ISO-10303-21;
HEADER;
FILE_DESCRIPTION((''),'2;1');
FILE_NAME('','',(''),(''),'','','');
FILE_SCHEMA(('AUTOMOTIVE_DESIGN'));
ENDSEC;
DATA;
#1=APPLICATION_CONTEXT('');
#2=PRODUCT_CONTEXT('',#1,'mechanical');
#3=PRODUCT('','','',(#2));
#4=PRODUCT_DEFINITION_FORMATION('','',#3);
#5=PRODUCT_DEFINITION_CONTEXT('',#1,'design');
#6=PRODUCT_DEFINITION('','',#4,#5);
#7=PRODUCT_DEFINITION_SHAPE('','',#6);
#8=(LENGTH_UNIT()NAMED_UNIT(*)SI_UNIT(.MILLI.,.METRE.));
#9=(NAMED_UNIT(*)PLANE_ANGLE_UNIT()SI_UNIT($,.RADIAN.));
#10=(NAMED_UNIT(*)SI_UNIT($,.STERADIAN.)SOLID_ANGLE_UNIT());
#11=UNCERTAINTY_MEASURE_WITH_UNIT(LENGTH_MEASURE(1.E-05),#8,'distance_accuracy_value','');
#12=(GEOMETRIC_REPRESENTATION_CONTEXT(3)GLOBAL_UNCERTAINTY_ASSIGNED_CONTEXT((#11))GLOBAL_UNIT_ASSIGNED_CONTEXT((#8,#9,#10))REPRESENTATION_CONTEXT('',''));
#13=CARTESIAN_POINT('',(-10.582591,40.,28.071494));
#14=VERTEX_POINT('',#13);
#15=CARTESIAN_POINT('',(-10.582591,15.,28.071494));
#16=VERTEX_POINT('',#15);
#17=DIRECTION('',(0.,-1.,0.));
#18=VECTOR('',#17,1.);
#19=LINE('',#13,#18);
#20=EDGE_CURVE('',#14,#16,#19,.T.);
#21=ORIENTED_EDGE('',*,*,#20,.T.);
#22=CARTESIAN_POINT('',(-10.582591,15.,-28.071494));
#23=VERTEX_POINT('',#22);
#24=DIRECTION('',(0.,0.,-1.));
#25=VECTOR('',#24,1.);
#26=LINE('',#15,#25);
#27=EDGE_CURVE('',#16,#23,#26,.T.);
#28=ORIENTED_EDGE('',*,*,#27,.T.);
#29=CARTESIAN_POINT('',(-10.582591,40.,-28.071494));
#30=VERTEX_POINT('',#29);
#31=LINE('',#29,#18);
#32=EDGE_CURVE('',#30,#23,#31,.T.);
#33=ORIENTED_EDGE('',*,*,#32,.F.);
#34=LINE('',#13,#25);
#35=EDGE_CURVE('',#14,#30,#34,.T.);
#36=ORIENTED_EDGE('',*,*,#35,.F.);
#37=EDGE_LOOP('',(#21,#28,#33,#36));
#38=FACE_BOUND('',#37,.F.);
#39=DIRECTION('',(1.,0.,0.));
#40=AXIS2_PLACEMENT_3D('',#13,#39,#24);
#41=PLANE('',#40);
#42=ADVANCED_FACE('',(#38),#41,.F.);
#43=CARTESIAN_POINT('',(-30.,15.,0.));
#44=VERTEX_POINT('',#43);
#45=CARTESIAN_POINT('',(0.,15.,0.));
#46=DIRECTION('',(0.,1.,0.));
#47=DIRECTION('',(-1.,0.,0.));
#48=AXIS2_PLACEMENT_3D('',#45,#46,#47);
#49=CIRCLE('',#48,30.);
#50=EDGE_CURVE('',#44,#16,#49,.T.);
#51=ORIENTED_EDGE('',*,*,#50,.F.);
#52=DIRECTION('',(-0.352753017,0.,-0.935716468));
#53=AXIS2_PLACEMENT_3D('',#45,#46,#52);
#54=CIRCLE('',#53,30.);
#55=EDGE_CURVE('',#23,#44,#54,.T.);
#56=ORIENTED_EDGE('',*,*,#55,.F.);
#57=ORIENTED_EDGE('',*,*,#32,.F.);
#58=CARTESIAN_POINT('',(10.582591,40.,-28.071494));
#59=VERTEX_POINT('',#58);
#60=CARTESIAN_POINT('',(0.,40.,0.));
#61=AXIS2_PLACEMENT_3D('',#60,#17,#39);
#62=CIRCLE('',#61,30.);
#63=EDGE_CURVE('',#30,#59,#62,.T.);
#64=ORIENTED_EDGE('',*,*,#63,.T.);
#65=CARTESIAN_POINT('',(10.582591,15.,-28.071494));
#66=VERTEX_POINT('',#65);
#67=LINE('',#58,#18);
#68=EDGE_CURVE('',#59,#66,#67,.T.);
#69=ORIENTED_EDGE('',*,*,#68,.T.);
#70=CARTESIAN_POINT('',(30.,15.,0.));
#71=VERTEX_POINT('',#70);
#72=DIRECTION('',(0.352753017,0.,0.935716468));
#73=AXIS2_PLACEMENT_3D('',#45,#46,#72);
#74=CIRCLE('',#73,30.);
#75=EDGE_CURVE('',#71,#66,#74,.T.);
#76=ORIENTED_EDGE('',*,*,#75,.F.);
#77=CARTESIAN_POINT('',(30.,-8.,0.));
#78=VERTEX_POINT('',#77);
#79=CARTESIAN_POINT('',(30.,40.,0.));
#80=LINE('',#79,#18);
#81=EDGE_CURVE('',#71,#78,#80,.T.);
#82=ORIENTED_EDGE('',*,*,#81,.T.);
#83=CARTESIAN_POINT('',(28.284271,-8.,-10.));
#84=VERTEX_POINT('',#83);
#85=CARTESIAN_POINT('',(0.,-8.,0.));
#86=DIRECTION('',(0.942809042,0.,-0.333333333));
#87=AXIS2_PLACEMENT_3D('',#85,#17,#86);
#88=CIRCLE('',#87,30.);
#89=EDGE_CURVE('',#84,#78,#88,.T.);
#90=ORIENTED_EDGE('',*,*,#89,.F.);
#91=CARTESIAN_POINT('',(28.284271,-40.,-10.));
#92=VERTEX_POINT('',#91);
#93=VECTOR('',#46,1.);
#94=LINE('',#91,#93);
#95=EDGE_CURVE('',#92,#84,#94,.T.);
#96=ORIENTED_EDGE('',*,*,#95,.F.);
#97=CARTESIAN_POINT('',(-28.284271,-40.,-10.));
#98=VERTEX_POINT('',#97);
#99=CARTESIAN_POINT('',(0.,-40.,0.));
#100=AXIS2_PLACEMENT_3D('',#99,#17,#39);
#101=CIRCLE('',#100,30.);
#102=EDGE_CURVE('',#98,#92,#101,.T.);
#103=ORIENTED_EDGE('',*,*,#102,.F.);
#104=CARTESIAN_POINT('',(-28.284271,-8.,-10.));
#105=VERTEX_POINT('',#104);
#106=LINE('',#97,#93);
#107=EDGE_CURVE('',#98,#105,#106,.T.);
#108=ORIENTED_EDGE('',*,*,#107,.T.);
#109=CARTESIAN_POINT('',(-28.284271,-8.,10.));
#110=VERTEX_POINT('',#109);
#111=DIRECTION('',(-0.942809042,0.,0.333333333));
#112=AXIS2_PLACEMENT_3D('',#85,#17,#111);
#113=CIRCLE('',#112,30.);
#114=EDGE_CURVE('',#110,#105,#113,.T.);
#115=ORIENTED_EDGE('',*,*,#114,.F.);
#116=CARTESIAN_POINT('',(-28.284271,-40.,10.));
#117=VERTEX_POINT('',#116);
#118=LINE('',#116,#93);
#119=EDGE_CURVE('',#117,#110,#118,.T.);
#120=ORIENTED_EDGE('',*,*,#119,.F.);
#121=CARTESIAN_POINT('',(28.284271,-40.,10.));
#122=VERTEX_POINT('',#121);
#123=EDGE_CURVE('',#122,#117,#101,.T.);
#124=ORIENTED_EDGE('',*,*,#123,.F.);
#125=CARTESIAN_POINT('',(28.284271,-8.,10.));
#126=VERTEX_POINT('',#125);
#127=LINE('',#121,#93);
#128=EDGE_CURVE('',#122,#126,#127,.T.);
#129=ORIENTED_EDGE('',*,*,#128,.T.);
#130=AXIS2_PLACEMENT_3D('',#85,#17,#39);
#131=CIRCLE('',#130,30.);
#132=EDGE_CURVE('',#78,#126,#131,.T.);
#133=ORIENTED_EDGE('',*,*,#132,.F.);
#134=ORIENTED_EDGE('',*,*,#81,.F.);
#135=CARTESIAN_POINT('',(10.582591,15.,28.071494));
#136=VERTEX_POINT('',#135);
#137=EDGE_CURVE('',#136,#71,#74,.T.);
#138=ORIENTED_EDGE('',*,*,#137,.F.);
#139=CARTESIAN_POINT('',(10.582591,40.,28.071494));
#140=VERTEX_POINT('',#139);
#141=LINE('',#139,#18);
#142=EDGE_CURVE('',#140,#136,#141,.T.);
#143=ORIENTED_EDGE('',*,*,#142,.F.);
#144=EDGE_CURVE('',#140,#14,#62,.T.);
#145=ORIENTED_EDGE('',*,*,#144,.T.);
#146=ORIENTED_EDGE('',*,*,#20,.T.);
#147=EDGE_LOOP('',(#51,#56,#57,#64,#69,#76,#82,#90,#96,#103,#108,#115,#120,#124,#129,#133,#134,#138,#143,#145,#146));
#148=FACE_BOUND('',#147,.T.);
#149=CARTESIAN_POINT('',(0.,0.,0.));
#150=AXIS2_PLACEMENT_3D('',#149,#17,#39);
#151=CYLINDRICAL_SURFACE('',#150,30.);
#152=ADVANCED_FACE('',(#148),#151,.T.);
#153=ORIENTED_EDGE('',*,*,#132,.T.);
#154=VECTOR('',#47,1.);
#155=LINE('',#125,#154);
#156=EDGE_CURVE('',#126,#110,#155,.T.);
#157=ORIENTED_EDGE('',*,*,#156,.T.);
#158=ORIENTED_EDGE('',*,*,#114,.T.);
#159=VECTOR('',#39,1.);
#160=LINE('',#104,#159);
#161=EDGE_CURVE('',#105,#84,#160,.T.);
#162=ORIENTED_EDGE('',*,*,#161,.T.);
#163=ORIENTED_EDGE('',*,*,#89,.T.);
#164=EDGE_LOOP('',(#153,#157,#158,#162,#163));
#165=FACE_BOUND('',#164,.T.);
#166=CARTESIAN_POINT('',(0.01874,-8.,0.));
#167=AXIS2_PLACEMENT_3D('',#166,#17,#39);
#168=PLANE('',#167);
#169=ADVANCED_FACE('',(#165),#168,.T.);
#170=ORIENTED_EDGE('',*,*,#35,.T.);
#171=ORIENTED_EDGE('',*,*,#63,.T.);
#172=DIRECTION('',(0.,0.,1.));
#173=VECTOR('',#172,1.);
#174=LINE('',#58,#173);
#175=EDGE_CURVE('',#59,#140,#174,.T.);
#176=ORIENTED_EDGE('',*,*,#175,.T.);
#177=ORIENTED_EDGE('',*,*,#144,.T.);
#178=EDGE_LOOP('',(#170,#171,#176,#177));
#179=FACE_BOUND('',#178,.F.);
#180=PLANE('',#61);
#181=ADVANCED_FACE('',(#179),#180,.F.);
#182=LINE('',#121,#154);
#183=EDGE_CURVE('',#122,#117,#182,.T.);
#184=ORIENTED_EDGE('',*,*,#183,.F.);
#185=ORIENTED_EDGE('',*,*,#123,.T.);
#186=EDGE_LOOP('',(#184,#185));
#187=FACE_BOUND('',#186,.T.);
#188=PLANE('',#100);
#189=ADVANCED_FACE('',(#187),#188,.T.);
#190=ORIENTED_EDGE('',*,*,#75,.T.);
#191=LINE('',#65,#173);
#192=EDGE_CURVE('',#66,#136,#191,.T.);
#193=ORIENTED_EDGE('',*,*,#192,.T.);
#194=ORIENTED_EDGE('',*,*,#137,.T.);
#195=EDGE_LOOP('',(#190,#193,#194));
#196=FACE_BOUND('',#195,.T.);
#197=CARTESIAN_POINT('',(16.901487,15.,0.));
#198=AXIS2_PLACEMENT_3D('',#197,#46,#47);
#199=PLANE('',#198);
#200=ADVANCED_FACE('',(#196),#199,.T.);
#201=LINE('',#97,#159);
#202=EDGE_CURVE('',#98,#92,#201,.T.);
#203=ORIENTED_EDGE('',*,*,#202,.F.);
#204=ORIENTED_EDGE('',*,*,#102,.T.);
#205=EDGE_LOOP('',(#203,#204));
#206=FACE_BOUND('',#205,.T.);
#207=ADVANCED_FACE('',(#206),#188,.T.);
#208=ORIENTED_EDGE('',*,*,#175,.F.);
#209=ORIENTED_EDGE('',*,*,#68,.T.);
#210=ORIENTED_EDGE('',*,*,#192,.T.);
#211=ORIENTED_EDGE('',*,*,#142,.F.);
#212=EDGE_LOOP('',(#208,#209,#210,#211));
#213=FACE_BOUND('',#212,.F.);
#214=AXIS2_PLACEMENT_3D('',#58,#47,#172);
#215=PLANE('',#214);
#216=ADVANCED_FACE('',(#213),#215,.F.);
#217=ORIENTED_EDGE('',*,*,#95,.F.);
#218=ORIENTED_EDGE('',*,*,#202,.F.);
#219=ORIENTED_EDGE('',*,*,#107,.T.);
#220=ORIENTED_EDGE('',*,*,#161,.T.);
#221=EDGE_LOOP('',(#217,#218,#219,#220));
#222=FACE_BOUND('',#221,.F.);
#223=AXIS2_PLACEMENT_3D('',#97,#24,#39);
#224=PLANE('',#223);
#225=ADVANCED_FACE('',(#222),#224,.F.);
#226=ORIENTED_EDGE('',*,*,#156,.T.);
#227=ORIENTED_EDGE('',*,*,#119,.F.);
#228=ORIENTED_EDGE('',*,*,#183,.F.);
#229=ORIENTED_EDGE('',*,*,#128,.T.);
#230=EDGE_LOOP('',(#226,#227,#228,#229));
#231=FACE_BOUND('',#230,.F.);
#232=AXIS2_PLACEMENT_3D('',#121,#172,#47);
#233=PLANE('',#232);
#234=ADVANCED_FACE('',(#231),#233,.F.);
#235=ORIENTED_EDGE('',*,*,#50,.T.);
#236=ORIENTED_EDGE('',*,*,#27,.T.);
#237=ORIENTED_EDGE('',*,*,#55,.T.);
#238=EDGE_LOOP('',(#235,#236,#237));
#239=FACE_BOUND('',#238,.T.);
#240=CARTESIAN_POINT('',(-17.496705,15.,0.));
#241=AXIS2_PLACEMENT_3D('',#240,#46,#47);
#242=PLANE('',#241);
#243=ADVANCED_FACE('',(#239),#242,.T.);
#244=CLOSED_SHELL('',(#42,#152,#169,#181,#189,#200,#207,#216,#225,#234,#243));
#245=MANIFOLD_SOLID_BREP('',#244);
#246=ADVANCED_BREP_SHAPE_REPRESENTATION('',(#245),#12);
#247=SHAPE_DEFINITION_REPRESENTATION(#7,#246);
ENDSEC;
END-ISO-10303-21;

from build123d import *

# Parameters (mm, degrees)
F0_R     = 30
F1_DEPTH = 40
F3_DEPTH = 32
F5_DEPTH = 25


with BuildPart() as f1:
    # F0 (on Front) → F1 (new body, symmetric)
    with BuildSketch(Plane.XZ):
        Circle(F0_R)
    extrude(amount=F1_DEPTH, both=True)

    # F2 (on face) → F3 (cut)
    with BuildSketch(Plane.XZ.offset(40)):
        with BuildLine():
            Line((28.2842712475, 10), (-28.2842712475, 10))
            ThreePointArc((-28.2842712475, 10), (-30, 0), (-28.2842712475, -10))
            Line((-28.2842712475, -10), (28.2842712475, -10))
            ThreePointArc((28.2842712475, -10), (29.5679567896, -5.0730593618), (30, 0))
            ThreePointArc((30, 0), (29.5679567896, 5.0730593618), (28.2842712475, 10))
        make_face()
    extrude(amount=-F3_DEPTH, mode=Mode.SUBTRACT)

    # F4 (on face) → F5 (cut)
    with BuildSketch(Plane(origin=(0, 40, 0), x_dir=(-1, 0, 0), z_dir=(0, 1, 0))):
        with BuildLine():
            Line((10.5825905188, 28.0714940449), (10.5825905188, -28.0714940449))
            ThreePointArc((10.5825905188, -28.0714940449), (24.6726337828, -17.0663746067), (30, 0))
            ThreePointArc((30, 0), (24.6726337828, 17.0663746067), (10.5825905188, 28.0714940449))
        make_face()
        with BuildLine():
            ThreePointArc((-10.5825905188, 28.0714940449), (-30, 0), (-10.5825905188, -28.0714940449))
            Line((-10.5825905188, -28.0714940449), (-10.5825905188, 28.0714940449))
        make_face()
    extrude(amount=-F5_DEPTH, mode=Mode.SUBTRACT)


solid = f1.part
